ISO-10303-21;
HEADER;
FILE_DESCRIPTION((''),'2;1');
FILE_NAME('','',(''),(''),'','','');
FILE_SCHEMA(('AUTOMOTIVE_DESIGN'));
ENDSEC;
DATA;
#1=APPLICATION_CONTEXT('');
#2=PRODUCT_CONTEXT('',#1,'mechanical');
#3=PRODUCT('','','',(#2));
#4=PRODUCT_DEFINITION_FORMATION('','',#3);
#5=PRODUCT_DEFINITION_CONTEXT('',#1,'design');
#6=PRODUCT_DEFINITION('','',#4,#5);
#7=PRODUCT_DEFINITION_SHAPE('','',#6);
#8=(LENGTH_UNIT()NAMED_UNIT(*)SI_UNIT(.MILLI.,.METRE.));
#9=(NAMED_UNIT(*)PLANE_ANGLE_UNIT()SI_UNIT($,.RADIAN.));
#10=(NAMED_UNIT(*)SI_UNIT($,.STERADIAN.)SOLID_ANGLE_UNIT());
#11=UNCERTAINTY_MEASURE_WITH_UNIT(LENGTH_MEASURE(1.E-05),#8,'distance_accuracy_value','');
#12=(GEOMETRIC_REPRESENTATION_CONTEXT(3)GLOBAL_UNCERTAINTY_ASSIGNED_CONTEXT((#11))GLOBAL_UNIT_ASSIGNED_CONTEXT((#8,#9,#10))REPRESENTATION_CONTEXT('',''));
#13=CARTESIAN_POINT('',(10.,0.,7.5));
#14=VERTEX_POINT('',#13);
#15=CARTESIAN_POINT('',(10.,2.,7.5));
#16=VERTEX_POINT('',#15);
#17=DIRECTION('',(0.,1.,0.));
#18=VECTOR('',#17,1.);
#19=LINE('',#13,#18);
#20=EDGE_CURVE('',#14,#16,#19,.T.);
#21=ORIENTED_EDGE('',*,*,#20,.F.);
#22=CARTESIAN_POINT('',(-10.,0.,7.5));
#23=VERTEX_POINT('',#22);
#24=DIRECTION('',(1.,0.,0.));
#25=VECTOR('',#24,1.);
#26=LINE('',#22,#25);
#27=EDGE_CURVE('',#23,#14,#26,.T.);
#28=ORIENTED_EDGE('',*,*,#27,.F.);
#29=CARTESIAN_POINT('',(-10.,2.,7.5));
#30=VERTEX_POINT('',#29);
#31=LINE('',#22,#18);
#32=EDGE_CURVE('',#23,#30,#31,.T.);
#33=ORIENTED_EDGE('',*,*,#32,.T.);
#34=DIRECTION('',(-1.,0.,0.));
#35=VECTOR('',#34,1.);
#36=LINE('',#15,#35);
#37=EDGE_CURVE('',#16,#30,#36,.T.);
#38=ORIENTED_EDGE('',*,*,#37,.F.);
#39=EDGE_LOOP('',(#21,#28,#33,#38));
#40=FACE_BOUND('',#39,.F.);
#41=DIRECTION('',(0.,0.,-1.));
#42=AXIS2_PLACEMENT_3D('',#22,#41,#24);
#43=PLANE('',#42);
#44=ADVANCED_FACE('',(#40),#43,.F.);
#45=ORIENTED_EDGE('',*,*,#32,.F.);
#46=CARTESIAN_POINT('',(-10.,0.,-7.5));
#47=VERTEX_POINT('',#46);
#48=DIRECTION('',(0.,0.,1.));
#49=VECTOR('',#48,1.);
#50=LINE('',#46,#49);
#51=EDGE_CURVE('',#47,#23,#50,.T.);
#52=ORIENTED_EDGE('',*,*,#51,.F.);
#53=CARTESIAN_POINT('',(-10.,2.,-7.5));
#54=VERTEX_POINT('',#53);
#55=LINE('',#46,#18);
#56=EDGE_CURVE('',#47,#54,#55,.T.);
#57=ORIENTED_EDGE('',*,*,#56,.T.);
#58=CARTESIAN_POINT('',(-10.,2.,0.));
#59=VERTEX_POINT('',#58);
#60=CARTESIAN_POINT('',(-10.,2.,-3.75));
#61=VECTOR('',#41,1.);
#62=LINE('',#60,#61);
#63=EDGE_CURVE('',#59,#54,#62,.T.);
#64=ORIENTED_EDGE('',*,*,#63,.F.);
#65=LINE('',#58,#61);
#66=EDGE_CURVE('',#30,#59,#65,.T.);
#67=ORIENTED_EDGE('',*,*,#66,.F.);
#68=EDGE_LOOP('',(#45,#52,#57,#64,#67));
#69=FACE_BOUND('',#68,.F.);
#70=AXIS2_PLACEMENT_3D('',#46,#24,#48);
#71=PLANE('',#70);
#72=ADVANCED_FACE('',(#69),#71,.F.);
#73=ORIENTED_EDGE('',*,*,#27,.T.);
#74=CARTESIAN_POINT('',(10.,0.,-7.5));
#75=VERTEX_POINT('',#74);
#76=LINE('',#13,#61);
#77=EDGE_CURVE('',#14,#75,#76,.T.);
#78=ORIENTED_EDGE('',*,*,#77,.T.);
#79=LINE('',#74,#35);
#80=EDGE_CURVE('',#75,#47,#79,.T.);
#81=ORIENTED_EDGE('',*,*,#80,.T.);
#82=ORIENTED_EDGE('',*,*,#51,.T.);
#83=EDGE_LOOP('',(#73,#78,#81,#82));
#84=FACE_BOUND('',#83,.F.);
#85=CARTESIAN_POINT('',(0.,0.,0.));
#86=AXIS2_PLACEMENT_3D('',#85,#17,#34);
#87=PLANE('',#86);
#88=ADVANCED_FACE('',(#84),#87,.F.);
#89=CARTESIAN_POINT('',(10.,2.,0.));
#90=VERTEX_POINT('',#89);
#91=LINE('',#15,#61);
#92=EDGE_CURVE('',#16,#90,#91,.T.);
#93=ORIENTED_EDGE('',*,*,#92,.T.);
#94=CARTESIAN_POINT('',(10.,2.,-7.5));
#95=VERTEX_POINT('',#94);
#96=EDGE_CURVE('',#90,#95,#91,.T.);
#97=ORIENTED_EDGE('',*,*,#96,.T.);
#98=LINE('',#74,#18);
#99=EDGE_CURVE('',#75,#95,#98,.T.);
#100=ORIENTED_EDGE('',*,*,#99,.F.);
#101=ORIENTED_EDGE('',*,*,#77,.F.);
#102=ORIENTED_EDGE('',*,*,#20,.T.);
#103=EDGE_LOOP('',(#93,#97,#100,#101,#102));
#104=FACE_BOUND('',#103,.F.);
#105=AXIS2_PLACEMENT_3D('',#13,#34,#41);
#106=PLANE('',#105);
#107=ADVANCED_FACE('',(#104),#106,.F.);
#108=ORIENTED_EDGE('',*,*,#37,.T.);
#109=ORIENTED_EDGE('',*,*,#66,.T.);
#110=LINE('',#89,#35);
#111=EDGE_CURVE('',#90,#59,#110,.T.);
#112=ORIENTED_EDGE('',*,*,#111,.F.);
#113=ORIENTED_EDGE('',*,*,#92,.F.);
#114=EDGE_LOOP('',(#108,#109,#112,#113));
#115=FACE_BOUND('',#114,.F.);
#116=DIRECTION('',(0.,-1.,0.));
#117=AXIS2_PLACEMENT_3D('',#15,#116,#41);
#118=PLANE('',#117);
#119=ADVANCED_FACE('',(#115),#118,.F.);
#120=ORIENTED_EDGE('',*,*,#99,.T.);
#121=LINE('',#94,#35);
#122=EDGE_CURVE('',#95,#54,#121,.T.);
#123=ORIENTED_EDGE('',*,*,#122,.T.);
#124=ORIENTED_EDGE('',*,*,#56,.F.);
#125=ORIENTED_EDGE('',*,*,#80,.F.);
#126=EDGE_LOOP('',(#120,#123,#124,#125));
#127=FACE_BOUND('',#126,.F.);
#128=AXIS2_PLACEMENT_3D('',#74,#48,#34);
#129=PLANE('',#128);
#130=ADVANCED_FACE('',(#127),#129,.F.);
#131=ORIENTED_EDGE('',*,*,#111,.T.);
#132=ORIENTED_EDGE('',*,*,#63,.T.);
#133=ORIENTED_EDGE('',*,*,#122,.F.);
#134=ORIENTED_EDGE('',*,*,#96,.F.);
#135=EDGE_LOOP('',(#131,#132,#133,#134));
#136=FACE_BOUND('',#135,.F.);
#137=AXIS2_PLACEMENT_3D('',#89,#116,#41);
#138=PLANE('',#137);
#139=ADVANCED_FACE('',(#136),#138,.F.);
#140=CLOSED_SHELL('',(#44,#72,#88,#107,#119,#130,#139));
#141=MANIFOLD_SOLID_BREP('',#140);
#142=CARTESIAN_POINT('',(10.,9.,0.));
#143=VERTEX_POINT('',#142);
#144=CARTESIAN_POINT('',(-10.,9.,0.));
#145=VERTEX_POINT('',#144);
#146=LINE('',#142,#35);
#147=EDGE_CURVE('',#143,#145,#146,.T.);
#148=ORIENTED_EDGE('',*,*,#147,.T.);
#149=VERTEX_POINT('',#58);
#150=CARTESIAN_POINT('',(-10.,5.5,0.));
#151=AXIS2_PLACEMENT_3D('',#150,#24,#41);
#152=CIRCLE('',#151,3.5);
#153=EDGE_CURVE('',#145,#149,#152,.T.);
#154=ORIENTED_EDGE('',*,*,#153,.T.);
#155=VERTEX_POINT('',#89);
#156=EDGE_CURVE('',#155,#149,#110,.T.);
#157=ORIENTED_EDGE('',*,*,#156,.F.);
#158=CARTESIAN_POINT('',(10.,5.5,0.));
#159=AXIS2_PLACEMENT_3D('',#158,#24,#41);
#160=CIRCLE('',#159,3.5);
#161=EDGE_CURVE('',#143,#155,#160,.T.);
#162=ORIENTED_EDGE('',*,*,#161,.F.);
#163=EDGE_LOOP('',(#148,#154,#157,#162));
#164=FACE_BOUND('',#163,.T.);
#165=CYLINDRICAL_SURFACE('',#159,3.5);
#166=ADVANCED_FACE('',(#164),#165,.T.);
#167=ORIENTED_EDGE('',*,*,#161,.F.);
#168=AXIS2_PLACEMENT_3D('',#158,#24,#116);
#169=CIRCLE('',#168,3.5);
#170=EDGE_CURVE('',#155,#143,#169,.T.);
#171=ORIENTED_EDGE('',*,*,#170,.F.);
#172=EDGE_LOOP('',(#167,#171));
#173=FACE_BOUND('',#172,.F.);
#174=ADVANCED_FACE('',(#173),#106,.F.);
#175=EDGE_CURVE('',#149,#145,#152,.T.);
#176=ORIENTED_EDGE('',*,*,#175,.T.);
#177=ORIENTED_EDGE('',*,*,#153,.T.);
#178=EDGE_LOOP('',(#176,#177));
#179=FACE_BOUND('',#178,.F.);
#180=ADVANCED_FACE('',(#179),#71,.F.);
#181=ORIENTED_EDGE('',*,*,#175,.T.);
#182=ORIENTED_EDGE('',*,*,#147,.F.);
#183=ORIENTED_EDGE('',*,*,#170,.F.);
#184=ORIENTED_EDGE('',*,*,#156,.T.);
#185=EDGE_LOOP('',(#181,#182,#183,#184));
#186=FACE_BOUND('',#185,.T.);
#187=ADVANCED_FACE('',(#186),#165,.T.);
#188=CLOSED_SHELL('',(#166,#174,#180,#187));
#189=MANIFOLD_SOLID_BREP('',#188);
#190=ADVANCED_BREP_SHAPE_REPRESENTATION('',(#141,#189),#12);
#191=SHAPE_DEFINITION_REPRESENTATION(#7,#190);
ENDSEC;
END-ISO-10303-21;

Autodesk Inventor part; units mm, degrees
ref_plane "YZ Plane" through (0, 0, 0) normal (1, 0, 0) x (0, 1, 0)
ref_plane "XZ Plane" through (0, 0, 0) normal (0, 1, 0) x (-1, 0, 0)
ref_plane "XY Plane" through (0, 0, 0) normal (0, 0, 1) x (1, 0, 0)
sketch "Sketch1" plane through (0, 0, 0) normal (0, 1, 0) x (-1, 0, 0)
  line L0 (10, 7.5) -> (-10, 7.5)
  line L1 (-10, 7.5) -> (-10, -7.5)
  line L2 (-10, -7.5) -> (10, -7.5)
  line L3 (10, -7.5) -> (10, 7.5)
  line L4 (10, 7.5) -> (-10, -7.5) construction
  line L5 (-10, 7.5) -> (10, -7.5) construction
  point P0 (0, 0)
  dimension "d0" = 20
  dimension "d1" = 15
extrude "Extrusion1" add sketch "Sketch1" along normal blind 9
sketch "Sketch2" plane through (10, 0, 7.5) normal (1, 0, 0) x (0, 0, -1)
  line L0 (0, 0) -> (0, 9) projected
  line L1 (0, 2) -> (15, 2)
  line L2 (15, 0) -> (15, 9) projected
  line L3 (0, 0) -> (15, 0) projected
  line L4 (0, 9) -> (15, 9) construction
  line L5 (7.5, 9) -> (7.5, 2) construction
  circle A0 centre (7.5, 5.5) radius 3.5
  line L6 (0, 2) -> (0, 9)
  line L7 (0, 9) -> (15, 9)
  line L8 (15, 9) -> (15, 2)
  point P0 (7.5, 0)
  point P1 (7.5, 2)
  dimension "d4" = 2
extrude "Extrusion2" cut sketch "Sketch2" against normal through all contours L0 L7 A0 L1 | A0 L7 L2 L1
properties part number "Laser"
